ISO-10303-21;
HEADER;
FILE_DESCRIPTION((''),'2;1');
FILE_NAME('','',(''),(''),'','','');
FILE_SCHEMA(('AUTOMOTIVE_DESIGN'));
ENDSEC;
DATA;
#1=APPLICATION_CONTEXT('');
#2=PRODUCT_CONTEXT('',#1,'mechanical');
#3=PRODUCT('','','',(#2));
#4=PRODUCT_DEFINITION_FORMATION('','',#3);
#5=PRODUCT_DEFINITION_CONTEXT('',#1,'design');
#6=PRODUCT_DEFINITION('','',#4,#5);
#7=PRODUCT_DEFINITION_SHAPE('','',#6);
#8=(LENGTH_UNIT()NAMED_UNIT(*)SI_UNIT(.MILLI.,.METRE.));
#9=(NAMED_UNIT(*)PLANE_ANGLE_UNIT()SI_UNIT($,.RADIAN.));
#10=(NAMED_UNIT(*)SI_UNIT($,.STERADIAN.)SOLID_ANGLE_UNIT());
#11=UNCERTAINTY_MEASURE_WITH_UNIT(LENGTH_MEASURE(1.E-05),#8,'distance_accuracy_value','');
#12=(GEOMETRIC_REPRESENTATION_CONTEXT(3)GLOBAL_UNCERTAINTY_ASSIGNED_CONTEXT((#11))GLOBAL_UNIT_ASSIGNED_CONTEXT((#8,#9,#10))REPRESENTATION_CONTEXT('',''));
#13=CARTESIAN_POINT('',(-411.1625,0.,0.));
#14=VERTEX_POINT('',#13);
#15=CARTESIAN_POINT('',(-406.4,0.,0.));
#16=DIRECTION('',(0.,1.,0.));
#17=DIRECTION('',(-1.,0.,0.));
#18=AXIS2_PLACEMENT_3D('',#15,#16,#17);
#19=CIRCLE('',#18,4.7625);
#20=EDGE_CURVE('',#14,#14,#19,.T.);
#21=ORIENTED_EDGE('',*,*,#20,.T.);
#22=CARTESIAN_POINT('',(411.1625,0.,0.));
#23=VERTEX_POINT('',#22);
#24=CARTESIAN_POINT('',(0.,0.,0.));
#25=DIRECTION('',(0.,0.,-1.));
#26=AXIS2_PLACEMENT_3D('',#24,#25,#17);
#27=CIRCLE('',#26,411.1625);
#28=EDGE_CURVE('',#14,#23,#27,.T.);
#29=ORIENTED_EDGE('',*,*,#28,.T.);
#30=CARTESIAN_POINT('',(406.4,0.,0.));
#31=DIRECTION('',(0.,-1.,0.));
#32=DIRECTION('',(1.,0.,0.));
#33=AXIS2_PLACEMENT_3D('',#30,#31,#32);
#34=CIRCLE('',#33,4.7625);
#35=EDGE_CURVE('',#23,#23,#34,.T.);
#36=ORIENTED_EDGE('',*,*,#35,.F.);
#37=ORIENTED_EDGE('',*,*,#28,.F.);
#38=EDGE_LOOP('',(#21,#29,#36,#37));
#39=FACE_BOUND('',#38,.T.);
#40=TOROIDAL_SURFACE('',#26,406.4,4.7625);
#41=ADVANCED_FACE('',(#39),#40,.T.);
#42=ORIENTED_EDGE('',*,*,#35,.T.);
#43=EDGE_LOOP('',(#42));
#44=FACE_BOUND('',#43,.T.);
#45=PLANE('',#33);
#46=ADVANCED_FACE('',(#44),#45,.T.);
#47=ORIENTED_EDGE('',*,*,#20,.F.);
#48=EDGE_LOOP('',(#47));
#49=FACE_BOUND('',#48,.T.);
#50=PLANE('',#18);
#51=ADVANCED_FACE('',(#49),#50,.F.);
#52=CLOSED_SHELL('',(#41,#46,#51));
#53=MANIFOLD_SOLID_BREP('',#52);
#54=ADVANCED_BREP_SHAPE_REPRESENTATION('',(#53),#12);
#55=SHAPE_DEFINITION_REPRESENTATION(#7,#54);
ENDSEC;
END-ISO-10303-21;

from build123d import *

# Parameters (mm, degrees)
SKETCH2_R = 4.7625


with BuildPart() as part:
    # Sweep1: sweep along a path in Sketch1
    with BuildLine(Plane.XY) as sweep1_path:
        ThreePointArc((-406.4, 0), (0, 406.4), (406.4, 0))
    # Sketch2 → Sweep1 (sweep)
    with BuildSketch(Plane(origin=(406.4, 0, 0), x_dir=(1, 0, 0), z_dir=(0, -1, 0))):
        Circle(SKETCH2_R)
    sweep(path=sweep1_path.line)


solid = part.part
